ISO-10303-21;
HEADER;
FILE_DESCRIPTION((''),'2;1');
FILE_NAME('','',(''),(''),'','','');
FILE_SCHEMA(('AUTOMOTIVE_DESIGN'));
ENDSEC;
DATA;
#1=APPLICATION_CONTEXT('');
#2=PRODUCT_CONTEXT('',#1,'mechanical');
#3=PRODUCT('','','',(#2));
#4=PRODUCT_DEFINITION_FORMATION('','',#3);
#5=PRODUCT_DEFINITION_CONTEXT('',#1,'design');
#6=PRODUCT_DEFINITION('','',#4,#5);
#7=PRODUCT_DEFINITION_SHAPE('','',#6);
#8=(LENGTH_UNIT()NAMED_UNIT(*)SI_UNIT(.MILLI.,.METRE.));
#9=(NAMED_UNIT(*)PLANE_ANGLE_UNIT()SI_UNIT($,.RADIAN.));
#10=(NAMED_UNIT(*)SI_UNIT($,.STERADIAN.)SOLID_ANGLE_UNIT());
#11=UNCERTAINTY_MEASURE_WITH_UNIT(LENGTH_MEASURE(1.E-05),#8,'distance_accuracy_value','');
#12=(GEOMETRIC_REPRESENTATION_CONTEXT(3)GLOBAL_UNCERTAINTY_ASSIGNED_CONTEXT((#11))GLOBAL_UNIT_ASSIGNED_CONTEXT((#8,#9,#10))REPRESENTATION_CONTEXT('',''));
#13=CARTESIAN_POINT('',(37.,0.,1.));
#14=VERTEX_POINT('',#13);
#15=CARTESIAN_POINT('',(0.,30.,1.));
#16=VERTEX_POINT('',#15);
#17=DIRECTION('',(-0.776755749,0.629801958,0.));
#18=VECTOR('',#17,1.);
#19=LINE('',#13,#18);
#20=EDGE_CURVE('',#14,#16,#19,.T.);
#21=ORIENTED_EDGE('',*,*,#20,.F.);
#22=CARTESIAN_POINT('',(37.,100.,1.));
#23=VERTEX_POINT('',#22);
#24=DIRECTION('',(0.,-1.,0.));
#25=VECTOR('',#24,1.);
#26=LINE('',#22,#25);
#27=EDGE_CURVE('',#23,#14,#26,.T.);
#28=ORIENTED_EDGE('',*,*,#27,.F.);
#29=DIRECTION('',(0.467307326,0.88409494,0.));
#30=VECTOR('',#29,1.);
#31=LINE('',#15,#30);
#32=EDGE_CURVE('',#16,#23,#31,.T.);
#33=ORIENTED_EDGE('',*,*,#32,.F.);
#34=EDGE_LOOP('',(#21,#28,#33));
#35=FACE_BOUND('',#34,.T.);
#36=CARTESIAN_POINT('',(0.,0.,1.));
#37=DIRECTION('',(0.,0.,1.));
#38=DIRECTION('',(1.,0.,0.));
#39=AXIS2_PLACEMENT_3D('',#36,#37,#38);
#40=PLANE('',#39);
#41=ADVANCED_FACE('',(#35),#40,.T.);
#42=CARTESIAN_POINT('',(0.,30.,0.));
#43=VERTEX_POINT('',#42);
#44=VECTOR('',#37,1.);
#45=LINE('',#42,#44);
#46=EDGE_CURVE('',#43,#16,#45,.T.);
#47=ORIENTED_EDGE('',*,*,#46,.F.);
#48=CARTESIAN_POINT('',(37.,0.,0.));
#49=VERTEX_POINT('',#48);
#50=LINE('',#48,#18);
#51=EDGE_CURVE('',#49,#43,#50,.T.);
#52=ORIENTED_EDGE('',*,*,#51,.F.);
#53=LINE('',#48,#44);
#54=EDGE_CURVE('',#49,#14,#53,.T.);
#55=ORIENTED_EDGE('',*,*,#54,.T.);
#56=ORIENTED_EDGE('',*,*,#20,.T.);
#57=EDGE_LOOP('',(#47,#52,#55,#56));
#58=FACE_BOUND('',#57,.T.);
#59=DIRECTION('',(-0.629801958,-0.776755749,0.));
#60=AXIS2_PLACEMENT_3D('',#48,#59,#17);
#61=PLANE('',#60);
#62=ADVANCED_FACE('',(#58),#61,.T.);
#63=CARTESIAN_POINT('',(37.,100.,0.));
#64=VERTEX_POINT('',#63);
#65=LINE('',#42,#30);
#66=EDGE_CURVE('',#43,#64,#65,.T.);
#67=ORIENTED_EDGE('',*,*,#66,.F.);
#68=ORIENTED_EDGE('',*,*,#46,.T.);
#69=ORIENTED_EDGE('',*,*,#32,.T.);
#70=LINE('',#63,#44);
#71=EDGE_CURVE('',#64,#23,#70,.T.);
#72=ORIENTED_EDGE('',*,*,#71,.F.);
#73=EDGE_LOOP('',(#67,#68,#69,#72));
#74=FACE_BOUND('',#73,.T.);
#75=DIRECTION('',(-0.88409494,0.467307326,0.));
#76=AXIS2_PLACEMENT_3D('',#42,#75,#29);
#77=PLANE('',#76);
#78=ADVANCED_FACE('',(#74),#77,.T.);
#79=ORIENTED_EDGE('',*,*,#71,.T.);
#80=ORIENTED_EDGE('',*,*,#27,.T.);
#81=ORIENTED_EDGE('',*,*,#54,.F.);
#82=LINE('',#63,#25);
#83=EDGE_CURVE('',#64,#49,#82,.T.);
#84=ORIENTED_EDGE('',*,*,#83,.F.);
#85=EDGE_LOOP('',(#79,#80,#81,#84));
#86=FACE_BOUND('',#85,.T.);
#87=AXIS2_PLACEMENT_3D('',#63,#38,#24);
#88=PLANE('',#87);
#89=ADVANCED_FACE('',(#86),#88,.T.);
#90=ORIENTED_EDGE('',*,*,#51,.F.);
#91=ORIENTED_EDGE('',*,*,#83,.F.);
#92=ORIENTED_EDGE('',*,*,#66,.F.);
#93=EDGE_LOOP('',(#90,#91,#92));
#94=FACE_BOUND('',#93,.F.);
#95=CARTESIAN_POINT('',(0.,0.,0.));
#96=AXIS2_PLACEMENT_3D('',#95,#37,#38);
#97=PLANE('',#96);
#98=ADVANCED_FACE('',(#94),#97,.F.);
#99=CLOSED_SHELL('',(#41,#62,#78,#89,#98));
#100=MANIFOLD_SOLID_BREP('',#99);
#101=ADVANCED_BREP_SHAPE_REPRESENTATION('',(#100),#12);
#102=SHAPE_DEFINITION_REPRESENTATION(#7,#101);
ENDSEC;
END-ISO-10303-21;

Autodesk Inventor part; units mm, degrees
ref_plane "YZ Plane" through (0, 0, 0) normal (1, 0, 0) x (0, 1, 0)
ref_plane "XZ Plane" through (0, 0, 0) normal (0, 1, 0) x (-1, 0, 0)
ref_plane "XY Plane" through (0, 0, 0) normal (0, 0, 1) x (1, 0, 0)
sketch "スケッチ1" plane through (0, 0, 0) normal (0, 0, 1) x (1, 0, 0)
  line L0 (37, -100) -> (-37, -100)
  line L1 (-37, -100) -> (-37, 100)
  line L2 (-37, 100) -> (37, 100)
  line L3 (37, 100) -> (37, -100)
  line L4 (37, -100) -> (-37, 100) construction
  line L5 (-37, -100) -> (37, 100) construction
  line L6 (-37, 0) -> (37, 0) construction
  line L7 (37, 0) -> (0, 30)
  line L8 (0, 30) -> (-37, 0)
  line L9 (-37, 0) -> (0, -30)
  line L10 (0, -30) -> (37, 0)
  line L11 (0, 30) -> (0, -30)
  line L12 (0, 30) -> (-37, 100)
  line L13 (0, 30) -> (37, 100)
  line L14 (0, -30) -> (-37, -100)
  line L15 (0, -30) -> (37, -100)
  point P0 (0, 0)
  point P1 (0, 0)
  point P2 (0, 0)
  dimension "d0" = 74
  dimension "d1" = 200
  dimension "d2" = 60
extrude "押し出し1" add sketch "スケッチ1" along normal blind 1 contours L7 L13 L3
properties part number "origami02"
